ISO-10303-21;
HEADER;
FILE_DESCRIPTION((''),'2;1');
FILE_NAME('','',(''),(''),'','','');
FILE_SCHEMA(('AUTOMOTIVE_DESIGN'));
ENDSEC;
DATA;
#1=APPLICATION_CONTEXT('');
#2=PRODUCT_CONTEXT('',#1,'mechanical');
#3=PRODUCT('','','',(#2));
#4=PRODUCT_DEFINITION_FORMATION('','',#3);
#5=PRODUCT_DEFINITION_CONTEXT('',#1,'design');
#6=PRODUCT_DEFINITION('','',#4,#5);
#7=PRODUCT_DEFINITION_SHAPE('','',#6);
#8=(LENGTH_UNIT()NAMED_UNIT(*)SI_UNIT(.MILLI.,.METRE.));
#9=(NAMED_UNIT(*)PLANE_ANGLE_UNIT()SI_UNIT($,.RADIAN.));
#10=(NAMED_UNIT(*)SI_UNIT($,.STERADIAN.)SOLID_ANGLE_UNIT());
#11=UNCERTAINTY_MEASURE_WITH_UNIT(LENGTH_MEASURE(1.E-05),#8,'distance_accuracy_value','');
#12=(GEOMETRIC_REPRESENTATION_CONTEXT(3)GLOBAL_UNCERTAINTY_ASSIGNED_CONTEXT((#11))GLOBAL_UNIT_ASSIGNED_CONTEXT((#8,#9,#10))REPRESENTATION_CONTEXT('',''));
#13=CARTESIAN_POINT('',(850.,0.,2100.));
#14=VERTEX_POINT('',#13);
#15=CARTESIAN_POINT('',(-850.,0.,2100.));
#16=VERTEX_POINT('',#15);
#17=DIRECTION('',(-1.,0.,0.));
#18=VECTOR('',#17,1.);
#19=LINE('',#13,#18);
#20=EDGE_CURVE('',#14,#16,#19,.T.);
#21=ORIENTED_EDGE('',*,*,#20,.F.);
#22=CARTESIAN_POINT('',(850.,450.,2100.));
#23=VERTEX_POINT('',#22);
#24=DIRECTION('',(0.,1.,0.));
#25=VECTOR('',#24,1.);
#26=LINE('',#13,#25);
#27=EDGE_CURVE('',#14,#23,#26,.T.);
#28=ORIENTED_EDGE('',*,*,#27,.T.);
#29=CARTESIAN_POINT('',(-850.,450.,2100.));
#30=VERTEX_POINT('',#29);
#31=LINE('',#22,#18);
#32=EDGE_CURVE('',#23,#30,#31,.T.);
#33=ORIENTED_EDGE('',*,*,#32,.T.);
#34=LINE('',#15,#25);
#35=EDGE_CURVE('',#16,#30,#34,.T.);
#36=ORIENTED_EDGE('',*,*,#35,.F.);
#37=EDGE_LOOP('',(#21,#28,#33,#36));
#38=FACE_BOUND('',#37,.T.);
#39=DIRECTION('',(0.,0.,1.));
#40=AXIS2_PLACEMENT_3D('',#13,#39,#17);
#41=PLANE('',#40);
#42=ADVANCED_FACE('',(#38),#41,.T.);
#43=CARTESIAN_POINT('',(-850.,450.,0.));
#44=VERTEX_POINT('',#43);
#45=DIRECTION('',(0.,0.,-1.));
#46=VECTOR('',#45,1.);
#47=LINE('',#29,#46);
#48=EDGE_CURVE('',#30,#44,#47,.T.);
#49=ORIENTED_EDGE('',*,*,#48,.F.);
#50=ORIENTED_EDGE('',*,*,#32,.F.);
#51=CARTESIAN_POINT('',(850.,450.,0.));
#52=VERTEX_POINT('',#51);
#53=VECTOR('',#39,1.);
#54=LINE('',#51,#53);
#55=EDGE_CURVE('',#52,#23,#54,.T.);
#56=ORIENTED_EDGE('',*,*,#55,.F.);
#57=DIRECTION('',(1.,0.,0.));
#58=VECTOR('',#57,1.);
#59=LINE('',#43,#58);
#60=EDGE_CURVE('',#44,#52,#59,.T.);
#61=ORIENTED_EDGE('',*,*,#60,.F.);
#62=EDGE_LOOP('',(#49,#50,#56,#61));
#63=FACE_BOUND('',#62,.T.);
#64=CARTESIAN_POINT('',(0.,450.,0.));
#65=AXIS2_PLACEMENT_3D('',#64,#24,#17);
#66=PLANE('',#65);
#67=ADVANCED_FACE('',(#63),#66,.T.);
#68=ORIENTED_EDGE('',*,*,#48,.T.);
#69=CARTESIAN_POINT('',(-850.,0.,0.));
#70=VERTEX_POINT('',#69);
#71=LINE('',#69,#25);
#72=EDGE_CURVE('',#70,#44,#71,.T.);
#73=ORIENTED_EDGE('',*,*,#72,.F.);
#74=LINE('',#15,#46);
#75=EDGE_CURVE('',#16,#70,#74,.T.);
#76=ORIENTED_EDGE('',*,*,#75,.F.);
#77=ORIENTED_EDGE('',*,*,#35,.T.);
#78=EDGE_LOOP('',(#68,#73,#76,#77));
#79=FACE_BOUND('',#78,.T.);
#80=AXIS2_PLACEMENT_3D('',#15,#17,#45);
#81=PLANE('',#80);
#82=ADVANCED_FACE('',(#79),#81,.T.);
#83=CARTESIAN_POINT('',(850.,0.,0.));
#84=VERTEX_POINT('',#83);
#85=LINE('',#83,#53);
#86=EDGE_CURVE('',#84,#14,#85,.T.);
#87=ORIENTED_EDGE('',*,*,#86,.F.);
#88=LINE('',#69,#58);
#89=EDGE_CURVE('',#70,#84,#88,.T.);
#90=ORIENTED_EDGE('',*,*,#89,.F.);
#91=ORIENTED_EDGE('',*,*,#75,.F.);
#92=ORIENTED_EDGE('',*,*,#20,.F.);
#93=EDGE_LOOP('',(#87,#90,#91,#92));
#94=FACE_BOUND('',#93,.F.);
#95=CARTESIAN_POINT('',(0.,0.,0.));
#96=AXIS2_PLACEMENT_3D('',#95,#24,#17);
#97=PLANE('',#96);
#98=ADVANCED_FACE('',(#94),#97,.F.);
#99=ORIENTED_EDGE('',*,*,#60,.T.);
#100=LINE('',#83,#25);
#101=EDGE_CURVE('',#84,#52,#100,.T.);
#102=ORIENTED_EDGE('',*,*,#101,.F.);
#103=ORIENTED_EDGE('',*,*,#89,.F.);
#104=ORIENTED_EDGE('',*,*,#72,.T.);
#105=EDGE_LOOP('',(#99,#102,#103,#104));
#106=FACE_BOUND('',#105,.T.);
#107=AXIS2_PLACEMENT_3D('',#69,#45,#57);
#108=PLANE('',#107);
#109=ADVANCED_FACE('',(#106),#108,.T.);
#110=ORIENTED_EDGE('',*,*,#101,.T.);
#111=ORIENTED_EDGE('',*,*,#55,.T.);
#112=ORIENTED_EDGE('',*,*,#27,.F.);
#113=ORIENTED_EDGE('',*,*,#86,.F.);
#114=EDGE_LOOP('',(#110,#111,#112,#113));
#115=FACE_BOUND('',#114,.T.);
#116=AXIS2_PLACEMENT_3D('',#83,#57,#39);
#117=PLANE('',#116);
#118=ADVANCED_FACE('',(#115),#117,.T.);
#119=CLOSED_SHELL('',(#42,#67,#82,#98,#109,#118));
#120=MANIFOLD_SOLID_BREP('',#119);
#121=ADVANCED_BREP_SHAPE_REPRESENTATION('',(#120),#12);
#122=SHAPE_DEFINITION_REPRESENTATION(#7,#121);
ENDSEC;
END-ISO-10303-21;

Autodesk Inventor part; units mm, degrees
ref_plane "YZ Plane" through (0, 0, 0) normal (1, 0, 0) x (0, 1, 0)
ref_plane "XZ Plane" through (0, 0, 0) normal (0, 1, 0) x (-1, 0, 0)
ref_plane "XY Plane" through (0, 0, 0) normal (0, 0, 1) x (1, 0, 0)
sketch "Sketch1" plane through (0, 0, 0) normal (0, 1, 0) x (-1, 0, 0)
  line L0 (850, 0) -> (-850, 0)
  line L1 (-850, 0) -> (-850, 2100)
  line L2 (-850, 2100) -> (850, 2100)
  line L3 (850, 2100) -> (850, 0)
  point P0 (0, 0)
  point P1 (0, 0)
  dimension "d0" = 1700
  dimension "d1" = 2100
extrude "Extrusion1" add sketch "Sketch1" along normal blind 450
properties part number "Letto generico"
